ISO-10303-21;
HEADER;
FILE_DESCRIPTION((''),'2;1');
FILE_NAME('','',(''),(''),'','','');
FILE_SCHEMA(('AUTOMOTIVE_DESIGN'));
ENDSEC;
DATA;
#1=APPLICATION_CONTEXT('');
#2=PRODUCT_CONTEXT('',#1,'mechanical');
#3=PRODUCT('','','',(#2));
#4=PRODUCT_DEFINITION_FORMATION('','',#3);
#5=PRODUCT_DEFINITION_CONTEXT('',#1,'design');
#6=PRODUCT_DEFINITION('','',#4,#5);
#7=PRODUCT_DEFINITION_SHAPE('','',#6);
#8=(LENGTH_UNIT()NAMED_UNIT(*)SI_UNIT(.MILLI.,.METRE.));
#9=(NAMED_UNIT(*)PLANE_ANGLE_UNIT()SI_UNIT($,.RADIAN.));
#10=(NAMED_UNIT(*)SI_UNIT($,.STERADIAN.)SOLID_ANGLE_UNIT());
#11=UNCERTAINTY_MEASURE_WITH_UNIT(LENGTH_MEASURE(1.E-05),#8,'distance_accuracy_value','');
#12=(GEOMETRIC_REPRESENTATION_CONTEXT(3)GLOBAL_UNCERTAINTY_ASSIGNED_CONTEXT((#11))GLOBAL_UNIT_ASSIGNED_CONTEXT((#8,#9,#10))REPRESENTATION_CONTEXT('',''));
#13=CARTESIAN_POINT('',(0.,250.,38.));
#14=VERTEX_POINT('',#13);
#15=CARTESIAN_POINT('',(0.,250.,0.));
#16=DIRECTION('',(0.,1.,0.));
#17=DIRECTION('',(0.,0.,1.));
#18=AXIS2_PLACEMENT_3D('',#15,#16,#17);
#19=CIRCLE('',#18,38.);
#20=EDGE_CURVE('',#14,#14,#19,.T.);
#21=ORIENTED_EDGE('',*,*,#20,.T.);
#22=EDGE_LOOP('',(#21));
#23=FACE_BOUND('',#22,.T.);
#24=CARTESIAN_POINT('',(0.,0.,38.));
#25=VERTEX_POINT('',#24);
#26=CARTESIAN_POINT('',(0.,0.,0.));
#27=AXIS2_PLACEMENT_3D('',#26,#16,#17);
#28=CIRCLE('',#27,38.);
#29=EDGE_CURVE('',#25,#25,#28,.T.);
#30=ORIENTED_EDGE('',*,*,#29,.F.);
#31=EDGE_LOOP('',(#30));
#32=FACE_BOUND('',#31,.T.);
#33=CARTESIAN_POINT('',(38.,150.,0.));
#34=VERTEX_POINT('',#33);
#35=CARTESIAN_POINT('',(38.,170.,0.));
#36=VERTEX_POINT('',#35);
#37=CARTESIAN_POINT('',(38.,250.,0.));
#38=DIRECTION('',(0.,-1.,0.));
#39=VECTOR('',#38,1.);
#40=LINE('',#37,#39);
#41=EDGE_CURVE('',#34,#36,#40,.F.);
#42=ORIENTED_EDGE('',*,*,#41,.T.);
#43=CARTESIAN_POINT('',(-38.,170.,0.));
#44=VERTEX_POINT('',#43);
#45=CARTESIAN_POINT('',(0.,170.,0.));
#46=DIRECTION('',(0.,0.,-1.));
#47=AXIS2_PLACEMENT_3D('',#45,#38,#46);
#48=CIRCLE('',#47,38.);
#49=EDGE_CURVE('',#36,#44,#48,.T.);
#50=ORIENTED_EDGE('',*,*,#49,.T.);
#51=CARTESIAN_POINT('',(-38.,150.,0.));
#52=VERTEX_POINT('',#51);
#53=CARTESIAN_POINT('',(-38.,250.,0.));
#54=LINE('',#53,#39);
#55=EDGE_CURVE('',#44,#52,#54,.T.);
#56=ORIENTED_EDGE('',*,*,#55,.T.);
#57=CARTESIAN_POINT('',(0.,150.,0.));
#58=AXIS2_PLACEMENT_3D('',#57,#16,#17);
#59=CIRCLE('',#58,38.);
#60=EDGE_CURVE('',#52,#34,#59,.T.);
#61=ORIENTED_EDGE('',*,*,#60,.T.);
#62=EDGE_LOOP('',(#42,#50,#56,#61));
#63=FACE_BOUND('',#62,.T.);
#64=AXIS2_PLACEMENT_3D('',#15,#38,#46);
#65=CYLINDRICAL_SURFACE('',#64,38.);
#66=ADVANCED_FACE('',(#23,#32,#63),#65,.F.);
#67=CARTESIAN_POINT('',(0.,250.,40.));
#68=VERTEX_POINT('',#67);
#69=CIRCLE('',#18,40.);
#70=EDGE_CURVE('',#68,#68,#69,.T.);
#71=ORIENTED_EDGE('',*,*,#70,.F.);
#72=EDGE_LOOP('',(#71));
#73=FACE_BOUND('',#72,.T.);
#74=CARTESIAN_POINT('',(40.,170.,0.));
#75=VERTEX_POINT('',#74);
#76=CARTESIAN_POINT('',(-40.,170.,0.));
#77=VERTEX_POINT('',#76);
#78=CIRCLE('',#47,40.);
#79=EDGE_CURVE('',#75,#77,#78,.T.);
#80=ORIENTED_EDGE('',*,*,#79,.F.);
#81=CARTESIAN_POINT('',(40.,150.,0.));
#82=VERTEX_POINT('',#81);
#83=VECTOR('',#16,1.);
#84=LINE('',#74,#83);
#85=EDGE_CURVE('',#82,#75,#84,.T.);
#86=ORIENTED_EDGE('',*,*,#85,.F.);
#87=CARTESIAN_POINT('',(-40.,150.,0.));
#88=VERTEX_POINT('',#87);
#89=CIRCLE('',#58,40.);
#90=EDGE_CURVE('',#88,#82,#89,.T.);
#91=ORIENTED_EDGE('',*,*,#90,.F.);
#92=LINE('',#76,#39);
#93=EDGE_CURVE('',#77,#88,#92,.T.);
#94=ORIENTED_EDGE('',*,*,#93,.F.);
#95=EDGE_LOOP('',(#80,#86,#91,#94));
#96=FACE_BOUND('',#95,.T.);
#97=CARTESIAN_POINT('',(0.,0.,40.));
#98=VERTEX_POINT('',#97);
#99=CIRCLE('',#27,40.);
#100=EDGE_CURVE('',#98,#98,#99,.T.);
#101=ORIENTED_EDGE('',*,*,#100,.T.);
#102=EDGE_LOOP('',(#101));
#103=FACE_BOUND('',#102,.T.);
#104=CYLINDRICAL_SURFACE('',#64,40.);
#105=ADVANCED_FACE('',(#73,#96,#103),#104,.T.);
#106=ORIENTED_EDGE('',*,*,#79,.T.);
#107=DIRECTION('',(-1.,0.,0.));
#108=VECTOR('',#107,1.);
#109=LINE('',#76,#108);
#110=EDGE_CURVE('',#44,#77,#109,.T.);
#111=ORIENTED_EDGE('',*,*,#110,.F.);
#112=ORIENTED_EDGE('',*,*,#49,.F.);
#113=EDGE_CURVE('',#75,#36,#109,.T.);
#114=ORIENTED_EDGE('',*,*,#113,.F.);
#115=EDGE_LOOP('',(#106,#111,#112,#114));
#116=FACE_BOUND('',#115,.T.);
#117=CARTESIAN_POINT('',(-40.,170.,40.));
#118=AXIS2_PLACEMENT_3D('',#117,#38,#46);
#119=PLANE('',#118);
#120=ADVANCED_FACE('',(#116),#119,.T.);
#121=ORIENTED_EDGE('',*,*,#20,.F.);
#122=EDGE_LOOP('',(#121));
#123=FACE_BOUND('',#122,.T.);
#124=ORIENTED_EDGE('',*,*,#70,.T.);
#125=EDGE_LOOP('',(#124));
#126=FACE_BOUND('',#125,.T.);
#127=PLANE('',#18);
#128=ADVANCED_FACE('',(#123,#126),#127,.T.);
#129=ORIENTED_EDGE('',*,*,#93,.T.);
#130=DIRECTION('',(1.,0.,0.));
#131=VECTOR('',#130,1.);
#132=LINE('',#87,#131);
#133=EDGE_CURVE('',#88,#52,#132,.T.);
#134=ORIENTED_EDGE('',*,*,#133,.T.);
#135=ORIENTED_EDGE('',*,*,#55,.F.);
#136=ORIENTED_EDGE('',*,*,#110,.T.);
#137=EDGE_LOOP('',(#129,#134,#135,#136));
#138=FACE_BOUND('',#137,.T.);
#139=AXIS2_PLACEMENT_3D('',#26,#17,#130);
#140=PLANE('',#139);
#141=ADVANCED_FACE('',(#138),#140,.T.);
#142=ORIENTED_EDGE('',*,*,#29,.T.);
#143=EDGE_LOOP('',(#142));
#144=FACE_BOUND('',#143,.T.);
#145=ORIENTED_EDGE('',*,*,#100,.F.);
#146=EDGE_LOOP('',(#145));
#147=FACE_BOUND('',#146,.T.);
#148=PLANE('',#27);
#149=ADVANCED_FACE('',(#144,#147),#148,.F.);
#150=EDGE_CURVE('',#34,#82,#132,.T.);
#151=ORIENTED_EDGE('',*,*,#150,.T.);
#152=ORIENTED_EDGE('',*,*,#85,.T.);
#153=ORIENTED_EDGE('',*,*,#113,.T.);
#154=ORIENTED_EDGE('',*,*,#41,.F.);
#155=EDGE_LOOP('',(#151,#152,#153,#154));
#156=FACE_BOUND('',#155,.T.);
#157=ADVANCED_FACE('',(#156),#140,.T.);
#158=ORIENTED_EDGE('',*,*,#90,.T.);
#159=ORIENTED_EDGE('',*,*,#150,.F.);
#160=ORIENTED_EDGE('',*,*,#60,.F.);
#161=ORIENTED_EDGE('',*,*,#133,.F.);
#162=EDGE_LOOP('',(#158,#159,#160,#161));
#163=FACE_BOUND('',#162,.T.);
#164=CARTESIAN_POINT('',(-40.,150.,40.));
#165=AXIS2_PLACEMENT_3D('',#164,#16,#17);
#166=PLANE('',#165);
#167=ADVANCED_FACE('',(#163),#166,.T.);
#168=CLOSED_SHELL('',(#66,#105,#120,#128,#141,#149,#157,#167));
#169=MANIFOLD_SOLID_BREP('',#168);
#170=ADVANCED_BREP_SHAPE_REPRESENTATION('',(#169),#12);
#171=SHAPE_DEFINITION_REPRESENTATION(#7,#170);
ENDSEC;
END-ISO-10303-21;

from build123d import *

# Parameters (mm, degrees)
SKETCH1_R           = 40
SKETCH1_R_2         = 38
BOSS_EXTRUDE1_DEPTH = 250
SKETCH2_W           = 80
SKETCH2_H           = 20
CUT_EXTRUDE2_DEPTH  = 257.32011236


with BuildPart() as part:
    # Sketch1 → Boss-Extrude1 (new body)
    with BuildSketch(Plane(origin=(0, 0, 0), x_dir=(1, 0, 0), z_dir=(0, 1, 0))):
        with Locations(Location((0, 0, 0), (0, 0, 270))):
            Circle(SKETCH1_R)
        with Locations(Location((0, 0, 0), (0, 0, 270))):
            Circle(SKETCH1_R_2, mode=Mode.SUBTRACT)
    extrude(amount=BOSS_EXTRUDE1_DEPTH)

    # Sketch2 → Cut-Extrude2 (cut, through all)
    with BuildSketch(Plane.XY):
        with Locations((0, 160)):
            Rectangle(SKETCH2_W, SKETCH2_H)
    extrude(amount=CUT_EXTRUDE2_DEPTH, mode=Mode.SUBTRACT)


solid = part.part
